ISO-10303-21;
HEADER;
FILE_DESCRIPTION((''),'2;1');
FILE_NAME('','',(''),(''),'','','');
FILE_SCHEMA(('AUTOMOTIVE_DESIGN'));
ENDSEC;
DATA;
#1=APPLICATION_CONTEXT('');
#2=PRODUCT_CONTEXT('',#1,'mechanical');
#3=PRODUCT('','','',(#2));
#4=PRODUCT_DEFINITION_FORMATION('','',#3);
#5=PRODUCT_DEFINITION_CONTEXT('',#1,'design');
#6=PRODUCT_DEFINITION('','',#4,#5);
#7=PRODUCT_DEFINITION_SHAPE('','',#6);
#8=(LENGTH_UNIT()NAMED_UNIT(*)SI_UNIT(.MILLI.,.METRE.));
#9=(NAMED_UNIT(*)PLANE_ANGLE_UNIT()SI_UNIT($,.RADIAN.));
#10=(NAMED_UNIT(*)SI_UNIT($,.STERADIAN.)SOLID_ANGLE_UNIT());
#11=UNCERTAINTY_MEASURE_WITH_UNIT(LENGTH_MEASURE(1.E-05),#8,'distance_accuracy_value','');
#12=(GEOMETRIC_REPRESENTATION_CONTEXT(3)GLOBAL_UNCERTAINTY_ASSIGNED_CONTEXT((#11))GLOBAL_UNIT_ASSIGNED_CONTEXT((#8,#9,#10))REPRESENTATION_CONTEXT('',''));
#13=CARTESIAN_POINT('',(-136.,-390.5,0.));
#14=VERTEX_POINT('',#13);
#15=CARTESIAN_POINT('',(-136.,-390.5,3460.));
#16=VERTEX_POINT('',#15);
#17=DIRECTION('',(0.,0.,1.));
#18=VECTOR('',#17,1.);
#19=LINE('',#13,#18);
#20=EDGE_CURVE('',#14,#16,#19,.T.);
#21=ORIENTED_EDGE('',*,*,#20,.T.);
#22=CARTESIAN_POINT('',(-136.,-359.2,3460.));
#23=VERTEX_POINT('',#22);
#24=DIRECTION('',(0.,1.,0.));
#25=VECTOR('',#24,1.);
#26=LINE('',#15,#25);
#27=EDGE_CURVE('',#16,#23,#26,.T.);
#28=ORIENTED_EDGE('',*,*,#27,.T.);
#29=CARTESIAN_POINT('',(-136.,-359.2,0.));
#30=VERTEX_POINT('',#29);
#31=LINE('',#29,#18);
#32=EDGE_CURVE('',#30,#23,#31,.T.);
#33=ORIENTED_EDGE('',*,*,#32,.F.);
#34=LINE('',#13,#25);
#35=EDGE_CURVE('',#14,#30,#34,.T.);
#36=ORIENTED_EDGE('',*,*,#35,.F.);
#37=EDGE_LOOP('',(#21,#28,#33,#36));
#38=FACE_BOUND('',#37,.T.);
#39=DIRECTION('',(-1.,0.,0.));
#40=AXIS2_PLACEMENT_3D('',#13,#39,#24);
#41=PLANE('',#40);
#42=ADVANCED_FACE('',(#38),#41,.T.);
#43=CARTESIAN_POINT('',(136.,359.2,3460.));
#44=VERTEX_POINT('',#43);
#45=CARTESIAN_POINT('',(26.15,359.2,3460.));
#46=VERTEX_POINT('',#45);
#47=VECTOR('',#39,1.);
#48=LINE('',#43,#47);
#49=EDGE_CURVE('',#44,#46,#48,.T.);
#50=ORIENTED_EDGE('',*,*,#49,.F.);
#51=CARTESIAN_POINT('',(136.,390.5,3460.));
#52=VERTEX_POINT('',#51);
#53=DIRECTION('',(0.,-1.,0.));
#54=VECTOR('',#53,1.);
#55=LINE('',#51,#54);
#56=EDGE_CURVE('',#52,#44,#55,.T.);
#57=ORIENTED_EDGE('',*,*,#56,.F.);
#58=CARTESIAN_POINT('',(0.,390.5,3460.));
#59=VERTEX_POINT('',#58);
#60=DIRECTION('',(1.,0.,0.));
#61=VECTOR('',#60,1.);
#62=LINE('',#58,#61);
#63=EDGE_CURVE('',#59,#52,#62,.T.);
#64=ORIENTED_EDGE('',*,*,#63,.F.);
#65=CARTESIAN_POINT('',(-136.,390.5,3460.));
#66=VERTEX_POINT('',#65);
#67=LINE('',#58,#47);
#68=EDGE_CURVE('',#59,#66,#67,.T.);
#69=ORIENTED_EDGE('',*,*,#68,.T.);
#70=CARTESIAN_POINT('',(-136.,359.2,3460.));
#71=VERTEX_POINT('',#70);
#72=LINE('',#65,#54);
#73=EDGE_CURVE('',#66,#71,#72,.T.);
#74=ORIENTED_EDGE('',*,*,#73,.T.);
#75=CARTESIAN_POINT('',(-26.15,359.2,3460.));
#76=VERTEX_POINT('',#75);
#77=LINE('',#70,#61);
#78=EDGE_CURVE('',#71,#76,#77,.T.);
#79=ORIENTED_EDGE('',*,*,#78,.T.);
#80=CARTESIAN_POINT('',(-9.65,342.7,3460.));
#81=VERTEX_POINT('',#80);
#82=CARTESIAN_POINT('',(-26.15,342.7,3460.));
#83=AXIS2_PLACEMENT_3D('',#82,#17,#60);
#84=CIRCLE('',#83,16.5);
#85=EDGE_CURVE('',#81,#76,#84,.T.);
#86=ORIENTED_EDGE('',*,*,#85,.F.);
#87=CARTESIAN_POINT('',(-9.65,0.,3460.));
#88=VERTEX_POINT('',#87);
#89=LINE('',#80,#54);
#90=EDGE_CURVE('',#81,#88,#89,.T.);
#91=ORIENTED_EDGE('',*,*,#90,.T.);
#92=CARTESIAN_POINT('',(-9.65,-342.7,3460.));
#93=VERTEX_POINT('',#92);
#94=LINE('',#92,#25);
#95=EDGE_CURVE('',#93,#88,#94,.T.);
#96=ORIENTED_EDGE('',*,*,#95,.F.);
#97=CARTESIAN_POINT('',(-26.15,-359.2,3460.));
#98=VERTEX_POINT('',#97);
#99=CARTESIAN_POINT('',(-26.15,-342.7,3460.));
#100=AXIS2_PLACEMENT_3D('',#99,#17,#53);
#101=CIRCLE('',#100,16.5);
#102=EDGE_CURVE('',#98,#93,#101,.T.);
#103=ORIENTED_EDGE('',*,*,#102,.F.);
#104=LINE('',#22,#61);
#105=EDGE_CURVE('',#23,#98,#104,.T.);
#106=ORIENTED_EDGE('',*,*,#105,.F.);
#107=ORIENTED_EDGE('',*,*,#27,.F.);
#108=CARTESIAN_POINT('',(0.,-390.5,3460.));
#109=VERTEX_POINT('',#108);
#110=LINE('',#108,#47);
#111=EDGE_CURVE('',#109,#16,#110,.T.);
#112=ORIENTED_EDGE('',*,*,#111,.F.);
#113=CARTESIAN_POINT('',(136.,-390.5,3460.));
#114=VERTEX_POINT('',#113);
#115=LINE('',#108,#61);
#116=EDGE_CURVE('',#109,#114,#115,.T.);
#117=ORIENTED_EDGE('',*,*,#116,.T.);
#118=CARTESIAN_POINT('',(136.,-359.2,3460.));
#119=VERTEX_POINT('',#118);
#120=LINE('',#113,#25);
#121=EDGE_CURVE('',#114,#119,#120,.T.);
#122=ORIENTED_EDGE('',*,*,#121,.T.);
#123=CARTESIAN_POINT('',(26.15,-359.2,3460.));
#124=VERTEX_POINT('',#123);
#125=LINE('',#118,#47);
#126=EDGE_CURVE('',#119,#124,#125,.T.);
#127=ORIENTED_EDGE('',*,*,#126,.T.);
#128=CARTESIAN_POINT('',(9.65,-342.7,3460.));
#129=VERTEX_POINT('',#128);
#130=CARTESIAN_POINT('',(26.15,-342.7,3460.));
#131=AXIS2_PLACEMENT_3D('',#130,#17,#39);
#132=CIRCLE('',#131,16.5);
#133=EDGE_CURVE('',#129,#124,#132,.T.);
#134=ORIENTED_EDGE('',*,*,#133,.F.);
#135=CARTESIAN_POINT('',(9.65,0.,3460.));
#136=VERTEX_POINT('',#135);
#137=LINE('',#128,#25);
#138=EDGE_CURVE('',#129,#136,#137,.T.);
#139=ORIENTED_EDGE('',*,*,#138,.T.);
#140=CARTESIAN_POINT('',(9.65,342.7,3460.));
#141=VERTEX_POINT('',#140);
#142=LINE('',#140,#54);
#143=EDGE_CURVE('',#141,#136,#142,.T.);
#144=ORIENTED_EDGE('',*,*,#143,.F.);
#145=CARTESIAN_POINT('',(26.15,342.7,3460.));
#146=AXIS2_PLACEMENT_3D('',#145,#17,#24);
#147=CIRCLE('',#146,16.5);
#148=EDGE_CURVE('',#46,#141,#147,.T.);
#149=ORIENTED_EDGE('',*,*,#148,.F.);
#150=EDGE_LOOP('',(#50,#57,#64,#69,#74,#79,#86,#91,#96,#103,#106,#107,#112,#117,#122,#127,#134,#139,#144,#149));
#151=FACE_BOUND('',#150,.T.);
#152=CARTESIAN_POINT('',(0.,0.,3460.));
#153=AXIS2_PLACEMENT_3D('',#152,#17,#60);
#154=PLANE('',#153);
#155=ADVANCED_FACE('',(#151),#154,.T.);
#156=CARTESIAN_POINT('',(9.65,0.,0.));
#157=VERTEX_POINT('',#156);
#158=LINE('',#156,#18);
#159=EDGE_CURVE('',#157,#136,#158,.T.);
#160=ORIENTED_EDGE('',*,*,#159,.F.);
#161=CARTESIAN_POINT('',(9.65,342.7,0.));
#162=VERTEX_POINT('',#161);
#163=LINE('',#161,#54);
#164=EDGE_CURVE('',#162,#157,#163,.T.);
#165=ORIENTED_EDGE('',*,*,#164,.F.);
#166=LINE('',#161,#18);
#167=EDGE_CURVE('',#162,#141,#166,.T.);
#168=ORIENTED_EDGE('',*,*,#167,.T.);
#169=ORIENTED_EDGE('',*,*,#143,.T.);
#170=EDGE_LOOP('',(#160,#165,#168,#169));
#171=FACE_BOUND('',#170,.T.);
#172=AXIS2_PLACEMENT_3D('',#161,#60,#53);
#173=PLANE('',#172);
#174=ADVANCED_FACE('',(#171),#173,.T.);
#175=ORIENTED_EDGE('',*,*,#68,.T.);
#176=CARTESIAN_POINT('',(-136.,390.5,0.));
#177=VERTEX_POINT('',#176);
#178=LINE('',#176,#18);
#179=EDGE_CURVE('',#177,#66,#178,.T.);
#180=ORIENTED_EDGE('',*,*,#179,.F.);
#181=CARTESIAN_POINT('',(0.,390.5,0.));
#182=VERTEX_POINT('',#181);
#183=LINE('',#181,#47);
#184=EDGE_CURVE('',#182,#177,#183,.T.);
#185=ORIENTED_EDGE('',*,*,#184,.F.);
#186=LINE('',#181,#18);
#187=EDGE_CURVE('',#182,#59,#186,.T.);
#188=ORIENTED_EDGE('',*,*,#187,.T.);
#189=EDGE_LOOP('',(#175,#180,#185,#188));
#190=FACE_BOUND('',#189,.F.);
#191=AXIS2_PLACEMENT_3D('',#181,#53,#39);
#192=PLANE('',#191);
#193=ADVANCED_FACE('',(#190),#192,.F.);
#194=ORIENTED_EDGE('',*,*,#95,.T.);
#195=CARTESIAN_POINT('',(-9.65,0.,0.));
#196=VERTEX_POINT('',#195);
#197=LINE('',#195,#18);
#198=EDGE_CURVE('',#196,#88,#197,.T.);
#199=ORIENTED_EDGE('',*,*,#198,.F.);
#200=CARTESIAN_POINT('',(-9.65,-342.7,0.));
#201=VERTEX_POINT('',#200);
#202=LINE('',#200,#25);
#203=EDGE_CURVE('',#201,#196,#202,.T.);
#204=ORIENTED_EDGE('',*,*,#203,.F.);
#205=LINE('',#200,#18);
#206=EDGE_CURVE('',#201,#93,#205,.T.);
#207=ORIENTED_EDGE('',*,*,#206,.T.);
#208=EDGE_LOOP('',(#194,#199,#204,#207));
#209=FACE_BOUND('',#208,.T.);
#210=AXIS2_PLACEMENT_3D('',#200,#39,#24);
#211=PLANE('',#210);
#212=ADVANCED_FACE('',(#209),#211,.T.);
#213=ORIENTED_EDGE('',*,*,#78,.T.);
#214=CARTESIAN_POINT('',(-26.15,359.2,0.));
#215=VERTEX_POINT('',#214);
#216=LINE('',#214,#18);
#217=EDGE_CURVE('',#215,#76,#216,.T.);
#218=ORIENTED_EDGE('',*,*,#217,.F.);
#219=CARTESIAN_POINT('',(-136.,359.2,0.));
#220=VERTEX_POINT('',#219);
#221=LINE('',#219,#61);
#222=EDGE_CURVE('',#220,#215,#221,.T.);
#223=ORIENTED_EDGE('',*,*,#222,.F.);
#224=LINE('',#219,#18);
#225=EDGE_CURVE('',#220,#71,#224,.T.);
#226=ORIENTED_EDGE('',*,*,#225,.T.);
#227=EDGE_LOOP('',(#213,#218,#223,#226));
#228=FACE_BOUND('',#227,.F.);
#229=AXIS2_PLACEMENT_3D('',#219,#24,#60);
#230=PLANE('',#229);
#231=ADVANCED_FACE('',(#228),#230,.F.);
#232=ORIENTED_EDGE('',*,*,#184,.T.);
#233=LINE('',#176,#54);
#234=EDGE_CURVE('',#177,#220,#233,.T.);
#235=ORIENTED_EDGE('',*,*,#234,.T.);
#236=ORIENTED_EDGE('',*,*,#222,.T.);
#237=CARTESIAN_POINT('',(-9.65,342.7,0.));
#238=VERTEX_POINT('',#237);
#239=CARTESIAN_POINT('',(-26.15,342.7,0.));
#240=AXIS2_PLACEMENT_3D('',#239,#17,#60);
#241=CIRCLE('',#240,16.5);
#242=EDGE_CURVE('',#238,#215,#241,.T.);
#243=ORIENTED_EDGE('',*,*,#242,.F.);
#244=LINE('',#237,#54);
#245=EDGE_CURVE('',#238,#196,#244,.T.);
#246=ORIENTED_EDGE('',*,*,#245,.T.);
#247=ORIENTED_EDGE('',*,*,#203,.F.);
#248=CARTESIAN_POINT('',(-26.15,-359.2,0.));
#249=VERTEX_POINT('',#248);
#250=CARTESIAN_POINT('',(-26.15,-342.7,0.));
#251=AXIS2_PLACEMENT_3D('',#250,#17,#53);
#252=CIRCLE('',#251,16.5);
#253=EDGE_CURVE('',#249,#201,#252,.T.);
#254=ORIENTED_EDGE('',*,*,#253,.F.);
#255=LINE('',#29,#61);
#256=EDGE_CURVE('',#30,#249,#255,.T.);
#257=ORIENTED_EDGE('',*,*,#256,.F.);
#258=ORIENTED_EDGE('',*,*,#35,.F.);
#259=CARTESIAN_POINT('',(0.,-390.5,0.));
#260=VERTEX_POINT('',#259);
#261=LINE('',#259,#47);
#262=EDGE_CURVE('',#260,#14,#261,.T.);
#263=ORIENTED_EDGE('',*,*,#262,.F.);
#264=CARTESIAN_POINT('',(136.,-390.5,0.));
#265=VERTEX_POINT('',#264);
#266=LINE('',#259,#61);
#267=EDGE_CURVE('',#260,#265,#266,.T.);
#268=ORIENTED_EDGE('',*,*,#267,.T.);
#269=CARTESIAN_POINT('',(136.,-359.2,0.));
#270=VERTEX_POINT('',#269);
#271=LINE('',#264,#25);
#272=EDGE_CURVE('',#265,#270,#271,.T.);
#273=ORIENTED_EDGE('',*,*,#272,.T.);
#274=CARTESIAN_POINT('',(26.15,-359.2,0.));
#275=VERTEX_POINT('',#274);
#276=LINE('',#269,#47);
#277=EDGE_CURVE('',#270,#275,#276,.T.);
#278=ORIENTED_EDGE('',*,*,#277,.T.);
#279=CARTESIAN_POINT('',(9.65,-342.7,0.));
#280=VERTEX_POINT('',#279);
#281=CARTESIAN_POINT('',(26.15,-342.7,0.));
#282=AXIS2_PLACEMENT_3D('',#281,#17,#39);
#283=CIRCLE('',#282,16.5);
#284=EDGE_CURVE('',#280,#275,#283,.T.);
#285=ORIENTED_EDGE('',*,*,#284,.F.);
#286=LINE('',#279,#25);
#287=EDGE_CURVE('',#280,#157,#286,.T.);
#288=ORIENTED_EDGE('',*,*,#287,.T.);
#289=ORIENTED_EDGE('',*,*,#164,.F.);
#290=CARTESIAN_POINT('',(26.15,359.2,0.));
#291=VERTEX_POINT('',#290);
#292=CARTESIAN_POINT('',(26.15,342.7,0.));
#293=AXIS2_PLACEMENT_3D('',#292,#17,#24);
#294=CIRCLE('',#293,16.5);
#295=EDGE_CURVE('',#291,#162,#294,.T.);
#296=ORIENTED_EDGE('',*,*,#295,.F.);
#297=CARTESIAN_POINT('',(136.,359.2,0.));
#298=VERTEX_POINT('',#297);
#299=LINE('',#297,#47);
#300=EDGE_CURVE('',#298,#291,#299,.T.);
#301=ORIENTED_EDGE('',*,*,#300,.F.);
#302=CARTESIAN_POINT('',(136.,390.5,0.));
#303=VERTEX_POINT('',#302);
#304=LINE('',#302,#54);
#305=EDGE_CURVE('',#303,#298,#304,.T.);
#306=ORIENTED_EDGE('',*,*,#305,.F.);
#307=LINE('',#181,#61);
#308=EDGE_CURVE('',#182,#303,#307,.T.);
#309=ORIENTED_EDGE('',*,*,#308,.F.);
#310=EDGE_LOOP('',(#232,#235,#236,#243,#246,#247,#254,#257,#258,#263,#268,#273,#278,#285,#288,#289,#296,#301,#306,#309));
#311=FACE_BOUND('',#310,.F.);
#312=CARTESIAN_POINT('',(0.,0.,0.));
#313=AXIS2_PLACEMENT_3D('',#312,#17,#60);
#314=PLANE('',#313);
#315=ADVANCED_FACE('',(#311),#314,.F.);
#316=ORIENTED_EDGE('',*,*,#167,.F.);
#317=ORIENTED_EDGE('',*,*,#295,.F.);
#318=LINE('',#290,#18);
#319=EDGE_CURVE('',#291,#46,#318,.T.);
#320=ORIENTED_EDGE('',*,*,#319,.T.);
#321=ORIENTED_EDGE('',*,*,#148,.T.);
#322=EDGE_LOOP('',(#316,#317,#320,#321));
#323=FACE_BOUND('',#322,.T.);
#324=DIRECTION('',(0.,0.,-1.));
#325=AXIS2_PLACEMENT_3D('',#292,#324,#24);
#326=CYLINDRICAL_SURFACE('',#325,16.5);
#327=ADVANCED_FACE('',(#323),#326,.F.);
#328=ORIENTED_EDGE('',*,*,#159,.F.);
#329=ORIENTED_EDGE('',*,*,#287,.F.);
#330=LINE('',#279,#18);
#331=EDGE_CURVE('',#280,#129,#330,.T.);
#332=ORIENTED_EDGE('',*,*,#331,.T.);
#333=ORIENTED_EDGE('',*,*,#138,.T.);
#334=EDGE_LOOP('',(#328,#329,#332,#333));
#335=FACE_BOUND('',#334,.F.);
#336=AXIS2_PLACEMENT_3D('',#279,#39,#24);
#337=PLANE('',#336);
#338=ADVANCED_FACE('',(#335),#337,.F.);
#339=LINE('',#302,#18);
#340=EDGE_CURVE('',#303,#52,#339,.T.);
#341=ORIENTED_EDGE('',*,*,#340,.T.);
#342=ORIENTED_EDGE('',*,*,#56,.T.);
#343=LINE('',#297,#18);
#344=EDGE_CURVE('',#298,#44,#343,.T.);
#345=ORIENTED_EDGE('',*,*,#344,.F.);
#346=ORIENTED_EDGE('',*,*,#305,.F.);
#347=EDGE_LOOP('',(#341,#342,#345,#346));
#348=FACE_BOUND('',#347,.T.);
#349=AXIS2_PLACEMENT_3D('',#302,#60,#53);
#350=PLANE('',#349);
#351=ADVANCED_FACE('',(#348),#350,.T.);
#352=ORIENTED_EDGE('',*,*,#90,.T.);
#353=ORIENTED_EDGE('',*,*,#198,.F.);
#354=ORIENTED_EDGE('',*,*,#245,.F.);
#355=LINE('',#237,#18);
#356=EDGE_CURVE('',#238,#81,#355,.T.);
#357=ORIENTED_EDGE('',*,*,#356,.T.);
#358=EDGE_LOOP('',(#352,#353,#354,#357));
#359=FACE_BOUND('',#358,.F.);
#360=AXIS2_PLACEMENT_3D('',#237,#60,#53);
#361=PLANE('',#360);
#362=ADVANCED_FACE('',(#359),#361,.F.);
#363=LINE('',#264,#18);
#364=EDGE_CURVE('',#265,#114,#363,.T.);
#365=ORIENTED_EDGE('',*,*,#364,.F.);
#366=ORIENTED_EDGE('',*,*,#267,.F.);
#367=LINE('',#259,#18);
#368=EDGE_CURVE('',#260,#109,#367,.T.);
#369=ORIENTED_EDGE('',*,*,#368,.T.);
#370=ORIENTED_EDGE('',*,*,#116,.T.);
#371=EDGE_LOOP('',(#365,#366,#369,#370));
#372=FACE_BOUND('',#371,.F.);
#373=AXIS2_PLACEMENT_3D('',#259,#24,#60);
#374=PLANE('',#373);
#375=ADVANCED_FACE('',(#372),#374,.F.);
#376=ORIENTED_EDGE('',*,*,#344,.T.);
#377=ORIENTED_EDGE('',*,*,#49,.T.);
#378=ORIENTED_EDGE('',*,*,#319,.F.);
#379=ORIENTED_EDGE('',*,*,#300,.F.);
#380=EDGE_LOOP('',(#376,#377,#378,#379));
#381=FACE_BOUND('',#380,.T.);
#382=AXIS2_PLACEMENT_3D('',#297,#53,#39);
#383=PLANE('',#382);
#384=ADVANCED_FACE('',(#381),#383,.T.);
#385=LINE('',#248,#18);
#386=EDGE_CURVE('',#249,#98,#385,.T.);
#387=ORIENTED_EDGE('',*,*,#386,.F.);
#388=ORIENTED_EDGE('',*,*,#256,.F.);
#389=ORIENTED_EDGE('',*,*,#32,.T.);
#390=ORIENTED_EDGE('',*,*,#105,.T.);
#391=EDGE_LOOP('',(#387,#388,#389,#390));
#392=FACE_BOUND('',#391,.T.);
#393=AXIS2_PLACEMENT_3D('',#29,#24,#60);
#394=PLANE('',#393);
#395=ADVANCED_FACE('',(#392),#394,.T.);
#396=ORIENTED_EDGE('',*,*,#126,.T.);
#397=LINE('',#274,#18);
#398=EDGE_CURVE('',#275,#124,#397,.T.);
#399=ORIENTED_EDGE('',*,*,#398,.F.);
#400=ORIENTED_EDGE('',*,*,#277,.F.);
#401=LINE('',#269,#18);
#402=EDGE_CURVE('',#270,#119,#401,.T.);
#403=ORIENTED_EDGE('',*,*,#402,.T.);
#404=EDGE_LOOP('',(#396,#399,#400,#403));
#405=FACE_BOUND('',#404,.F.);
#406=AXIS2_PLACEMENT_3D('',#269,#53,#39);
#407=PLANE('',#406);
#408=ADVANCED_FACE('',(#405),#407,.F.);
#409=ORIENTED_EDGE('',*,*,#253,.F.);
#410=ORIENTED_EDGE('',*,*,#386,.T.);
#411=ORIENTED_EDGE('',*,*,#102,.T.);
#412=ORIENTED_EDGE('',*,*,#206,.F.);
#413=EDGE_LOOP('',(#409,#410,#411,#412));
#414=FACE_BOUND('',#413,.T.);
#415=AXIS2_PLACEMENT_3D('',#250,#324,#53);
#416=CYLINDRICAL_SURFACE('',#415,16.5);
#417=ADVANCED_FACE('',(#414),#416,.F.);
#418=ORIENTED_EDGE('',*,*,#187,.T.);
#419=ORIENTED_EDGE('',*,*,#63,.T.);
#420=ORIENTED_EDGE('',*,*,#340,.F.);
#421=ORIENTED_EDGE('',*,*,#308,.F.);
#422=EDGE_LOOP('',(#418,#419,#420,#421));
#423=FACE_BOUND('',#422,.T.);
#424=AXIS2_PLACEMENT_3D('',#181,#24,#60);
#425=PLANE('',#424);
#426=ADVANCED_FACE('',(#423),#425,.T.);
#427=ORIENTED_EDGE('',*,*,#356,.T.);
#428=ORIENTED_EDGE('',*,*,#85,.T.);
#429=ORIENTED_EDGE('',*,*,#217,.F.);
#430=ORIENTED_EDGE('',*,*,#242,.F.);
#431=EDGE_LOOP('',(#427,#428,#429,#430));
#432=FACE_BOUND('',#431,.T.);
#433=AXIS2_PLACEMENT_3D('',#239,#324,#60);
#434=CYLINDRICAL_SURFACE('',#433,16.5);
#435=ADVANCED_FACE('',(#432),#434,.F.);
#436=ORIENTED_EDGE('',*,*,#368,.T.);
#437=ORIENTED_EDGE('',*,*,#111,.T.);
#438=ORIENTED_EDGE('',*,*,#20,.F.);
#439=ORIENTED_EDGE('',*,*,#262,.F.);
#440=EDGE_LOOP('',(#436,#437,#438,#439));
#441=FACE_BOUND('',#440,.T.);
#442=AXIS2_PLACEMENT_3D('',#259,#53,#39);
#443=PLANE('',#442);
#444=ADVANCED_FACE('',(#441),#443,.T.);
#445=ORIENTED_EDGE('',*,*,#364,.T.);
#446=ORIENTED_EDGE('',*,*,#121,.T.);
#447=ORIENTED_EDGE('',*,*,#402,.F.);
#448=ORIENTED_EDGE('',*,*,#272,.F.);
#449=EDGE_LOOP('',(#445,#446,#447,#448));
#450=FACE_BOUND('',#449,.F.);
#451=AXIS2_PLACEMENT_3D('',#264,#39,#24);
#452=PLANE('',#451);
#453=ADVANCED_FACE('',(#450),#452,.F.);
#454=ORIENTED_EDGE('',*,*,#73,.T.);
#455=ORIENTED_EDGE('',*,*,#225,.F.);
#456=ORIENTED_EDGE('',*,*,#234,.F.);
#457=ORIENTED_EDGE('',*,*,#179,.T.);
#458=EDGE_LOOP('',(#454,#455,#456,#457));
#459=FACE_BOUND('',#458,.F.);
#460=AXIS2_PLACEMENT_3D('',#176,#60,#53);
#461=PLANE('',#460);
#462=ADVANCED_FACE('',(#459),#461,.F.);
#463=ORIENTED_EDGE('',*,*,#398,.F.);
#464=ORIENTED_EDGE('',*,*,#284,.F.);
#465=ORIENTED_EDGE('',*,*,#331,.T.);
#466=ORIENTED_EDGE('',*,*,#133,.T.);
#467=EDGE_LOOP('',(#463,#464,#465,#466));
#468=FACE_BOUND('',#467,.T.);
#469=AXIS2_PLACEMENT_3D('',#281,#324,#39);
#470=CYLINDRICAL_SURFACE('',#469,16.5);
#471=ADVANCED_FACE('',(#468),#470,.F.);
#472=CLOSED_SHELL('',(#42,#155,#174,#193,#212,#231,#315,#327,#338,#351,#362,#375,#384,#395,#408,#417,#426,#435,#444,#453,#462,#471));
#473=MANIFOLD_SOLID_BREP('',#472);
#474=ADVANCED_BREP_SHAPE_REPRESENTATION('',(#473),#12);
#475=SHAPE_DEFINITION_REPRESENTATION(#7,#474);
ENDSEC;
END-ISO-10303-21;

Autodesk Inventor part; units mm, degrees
ref_plane "YZ Plane" through (0, 0, 0) normal (1, 0, 0) x (0, 1, 0)
ref_plane "Start plane" through (0, 0, 0) normal (0, 0, 1) x (1, 0, 0)
ref_plane "End plane" through (0, 0, 3460) normal (0, 0, 1) x (1, 0, 0)
sketch "Sketch" plane through (0, 0, 0) normal (0, 0, 1) x (1, 0, 0)
  line L0 (-136, -390.5) -> (-136, -359.2)
  line L1 (-136, -359.2) -> (-26.15, -359.2)
  line L2 (-9.65, -342.7) -> (-9.65, 0)
  line L3 (-9.65, 0) -> (0, 0) construction
  line L4 (0, 0) -> (0, -390.5) construction
  line L5 (0, -390.5) -> (-136, -390.5)
  line L6 (-60, 0) -> (80, 0) construction
  line L7 (0, -60) -> (0, 80) construction
  line L8 (136, -390.5) -> (136, -359.2)
  line L9 (136, -359.2) -> (26.15, -359.2)
  line L10 (9.65, -342.7) -> (9.65, 0)
  line L11 (9.65, 0) -> (0, 0) construction
  line L12 (0, -390.5) -> (136, -390.5)
  line L13 (-136, 390.5) -> (-136, 359.2)
  line L14 (-136, 359.2) -> (-26.15, 359.2)
  line L15 (-9.65, 342.7) -> (-9.65, 0)
  line L16 (0, 390.5) -> (-136, 390.5)
  line L17 (136, 390.5) -> (136, 359.2)
  line L18 (136, 359.2) -> (26.15, 359.2)
  line L19 (0, 390.5) -> (136, 390.5)
  line L20 (9.65, 342.7) -> (9.65, 0)
  arc A0 (-9.65, 342.7) -> (-26.15, 359.2) centre (-26.15, 342.7) ccw
  arc A1 (26.15, 359.2) -> (9.65, 342.7) centre (26.15, 342.7) ccw
  arc A2 (9.65, -342.7) -> (26.15, -359.2) centre (26.15, -342.7) ccw
  arc A3 (-26.15, -359.2) -> (-9.65, -342.7) centre (-26.15, -342.7) ccw
  line L21 (0, 108) -> (0, -88) construction
  line L22 (-88, 0) -> (108, 0) construction
  point P0 (-9.65, -359.2)
  point P1 (9.65, -359.2)
  point P2 (-9.65, 359.2)
  point P3 (9.65, 359.2)
  dimension "d1" = 390.5
  dimension "d2" = 31.3
  dimension "d3" = 136
  dimension "d4" = 9.65
  dimension "d10" = 16.5
extrude "Body" add sketch "Sketch" along normal up to surface (3460 mm away) from surface at 0
sketch "Sketch4" plane through (0, 0, 0) normal (0, 0, 1) x (1, 0, 0)
  line L0 (0, 0) -> (10, 0)
ref_plane "Work Plane3" through (0, 0, 0) normal (0, -1, 0) x (1, 0, 0)
sketch "Sketch5" plane through (0, 0, 0) normal (0, -1, 0) x (1, 0, 0)
  line L0 (-2, 0) -> (12, 0) projected
  line L1 (-2, 3460) -> (12, 3460) projected
  dimension "d14" = 3460
equation "\"d1\" = 0.5 * G_H"
equation "\"d2\" = G_T1"
equation "\"d3\" = 0.5 * G_W"
equation "\"d4\" = 0.5 * G_T"
equation "\"d10\" = G_IR"
equation "\"d5\" = G_L"
equation "\"G_W\" = 272"
equation "\"G_H\" = 781"
equation "\"G_T\" = 19.3"
equation "\"G_T1\" = 31.3"
equation "\"G_IR\" = 16.5"
equation "\"G_L\" = d14"
equation "\"G_OFFSET_START\" = 0"
equation "\"G_OFFSET_END\" = 0"
properties part number "AS 3679-1990 - 760 UB - 244 - 3460" material "Steel, Mild"
